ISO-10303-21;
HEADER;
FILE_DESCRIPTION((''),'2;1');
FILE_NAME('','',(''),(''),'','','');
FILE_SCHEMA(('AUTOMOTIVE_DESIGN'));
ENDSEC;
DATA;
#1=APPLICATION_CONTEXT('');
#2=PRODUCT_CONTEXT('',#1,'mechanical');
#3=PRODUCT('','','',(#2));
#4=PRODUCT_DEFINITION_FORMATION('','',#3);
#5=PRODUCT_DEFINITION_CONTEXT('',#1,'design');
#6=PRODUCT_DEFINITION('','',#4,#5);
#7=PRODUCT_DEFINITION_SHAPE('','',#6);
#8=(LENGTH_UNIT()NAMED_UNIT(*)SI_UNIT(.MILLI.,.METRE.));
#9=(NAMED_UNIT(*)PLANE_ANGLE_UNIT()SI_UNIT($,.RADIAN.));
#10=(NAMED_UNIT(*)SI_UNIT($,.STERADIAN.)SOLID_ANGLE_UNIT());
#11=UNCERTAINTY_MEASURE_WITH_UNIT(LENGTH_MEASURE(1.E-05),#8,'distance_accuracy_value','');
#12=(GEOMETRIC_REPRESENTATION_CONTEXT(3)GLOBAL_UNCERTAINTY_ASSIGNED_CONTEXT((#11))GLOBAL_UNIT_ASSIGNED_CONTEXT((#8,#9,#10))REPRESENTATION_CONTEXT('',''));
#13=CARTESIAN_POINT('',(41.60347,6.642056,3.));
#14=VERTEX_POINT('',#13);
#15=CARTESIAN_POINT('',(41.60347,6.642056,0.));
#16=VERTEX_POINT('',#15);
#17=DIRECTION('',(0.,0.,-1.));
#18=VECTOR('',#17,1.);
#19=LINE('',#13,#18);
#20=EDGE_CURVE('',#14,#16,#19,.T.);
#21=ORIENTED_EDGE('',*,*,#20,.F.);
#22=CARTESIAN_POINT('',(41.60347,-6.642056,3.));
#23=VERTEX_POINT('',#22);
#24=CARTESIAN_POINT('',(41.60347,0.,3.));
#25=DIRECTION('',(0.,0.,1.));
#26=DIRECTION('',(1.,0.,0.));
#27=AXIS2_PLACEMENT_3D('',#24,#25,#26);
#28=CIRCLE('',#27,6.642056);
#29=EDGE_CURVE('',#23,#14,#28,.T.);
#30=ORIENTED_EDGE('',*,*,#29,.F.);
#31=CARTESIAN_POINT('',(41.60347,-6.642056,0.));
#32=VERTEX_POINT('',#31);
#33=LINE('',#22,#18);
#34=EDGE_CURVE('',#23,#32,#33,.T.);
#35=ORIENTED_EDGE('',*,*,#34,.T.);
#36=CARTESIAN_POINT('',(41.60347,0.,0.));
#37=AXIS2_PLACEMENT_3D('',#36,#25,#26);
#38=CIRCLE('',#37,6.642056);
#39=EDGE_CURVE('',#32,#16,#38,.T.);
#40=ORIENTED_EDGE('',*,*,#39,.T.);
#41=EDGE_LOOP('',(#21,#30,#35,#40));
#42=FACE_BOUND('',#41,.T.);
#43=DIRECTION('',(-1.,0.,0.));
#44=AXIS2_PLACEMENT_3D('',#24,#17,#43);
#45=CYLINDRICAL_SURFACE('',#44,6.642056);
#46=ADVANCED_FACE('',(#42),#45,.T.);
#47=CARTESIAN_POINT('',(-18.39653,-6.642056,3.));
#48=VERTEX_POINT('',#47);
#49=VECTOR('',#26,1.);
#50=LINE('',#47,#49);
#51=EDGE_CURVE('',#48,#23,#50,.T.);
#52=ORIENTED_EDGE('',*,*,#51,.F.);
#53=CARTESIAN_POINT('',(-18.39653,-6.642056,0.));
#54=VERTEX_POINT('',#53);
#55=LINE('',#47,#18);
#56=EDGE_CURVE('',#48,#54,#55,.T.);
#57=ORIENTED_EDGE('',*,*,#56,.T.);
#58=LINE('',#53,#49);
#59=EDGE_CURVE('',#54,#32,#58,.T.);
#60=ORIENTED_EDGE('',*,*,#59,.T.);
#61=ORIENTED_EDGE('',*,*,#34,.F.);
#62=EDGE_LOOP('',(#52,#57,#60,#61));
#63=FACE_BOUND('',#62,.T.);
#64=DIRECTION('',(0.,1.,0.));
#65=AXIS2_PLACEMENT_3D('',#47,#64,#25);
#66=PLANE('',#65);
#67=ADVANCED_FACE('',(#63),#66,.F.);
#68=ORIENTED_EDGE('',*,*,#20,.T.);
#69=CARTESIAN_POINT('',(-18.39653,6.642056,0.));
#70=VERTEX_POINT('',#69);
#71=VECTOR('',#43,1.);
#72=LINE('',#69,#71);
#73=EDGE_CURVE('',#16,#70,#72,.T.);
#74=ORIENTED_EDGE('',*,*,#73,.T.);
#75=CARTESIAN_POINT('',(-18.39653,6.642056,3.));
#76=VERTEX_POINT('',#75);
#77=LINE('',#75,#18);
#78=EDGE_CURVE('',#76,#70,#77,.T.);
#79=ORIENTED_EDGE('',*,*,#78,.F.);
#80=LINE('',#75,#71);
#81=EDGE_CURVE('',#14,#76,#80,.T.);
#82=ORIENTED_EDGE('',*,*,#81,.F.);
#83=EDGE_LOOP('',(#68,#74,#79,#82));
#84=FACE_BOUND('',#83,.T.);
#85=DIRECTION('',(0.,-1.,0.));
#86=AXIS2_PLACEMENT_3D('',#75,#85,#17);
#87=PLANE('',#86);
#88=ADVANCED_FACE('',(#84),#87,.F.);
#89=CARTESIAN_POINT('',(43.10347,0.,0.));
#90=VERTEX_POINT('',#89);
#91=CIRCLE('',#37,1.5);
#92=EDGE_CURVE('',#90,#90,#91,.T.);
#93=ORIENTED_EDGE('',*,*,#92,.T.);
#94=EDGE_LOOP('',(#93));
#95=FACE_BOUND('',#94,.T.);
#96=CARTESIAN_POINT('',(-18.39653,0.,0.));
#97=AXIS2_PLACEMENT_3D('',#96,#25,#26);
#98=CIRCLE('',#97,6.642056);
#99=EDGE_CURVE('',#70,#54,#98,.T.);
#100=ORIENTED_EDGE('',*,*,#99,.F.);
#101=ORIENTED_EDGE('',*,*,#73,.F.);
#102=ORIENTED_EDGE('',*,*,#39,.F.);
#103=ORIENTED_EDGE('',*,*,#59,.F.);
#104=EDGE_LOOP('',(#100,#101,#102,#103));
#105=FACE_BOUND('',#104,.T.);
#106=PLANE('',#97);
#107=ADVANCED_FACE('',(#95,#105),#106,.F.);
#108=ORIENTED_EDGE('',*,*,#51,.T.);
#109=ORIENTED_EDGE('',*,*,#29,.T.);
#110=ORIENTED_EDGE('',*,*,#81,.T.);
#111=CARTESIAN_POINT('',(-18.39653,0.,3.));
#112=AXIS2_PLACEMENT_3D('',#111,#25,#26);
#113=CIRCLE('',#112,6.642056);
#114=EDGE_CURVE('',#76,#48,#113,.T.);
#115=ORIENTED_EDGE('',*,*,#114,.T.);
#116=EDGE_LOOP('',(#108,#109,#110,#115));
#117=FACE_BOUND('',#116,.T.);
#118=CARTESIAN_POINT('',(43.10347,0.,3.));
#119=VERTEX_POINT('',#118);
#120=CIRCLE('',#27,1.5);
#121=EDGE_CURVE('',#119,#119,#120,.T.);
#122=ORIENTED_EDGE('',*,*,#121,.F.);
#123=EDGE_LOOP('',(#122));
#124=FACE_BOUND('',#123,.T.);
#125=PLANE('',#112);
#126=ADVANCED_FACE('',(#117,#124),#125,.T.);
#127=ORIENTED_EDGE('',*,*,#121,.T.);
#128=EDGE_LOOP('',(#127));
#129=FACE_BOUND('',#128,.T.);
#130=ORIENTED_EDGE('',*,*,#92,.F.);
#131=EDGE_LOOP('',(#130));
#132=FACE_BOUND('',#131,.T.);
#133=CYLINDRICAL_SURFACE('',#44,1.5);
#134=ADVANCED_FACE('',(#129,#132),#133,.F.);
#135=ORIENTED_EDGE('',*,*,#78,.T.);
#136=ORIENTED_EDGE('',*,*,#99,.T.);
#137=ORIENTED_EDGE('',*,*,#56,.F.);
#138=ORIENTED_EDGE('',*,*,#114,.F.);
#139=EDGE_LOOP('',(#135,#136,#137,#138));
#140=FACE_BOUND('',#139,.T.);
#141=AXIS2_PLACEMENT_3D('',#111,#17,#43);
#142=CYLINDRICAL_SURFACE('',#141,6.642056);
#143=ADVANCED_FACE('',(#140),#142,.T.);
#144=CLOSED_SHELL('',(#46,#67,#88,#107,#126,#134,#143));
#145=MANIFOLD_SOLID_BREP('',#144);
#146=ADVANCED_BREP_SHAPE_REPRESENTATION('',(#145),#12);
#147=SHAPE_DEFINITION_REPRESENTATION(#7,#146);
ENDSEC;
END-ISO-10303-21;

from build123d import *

# Parameters (mm, degrees)
SKETCH1_R           = 1.5
BOSS_EXTRUDE1_DEPTH = 3


with BuildPart() as part:
    # Sketch1 → Boss-Extrude1 (new body)
    with BuildSketch(Plane.XY):
        with BuildLine():
            Line((-18.39653012, 6.642056017), (41.60346988, 6.642056017))
            ThreePointArc((41.60346988, 6.642056017), (48.245525897, 0), (41.60346988, -6.642056017))
            Line((41.60346988, -6.642056017), (-18.39653012, -6.642056017))
            ThreePointArc((-18.39653012, -6.642056017), (-25.038586136, 0), (-18.39653012, 6.642056017))
        make_face()
        with Locations((41.60346988, 0)):
            Circle(SKETCH1_R, mode=Mode.SUBTRACT)
    extrude(amount=BOSS_EXTRUDE1_DEPTH)


solid = part.part
